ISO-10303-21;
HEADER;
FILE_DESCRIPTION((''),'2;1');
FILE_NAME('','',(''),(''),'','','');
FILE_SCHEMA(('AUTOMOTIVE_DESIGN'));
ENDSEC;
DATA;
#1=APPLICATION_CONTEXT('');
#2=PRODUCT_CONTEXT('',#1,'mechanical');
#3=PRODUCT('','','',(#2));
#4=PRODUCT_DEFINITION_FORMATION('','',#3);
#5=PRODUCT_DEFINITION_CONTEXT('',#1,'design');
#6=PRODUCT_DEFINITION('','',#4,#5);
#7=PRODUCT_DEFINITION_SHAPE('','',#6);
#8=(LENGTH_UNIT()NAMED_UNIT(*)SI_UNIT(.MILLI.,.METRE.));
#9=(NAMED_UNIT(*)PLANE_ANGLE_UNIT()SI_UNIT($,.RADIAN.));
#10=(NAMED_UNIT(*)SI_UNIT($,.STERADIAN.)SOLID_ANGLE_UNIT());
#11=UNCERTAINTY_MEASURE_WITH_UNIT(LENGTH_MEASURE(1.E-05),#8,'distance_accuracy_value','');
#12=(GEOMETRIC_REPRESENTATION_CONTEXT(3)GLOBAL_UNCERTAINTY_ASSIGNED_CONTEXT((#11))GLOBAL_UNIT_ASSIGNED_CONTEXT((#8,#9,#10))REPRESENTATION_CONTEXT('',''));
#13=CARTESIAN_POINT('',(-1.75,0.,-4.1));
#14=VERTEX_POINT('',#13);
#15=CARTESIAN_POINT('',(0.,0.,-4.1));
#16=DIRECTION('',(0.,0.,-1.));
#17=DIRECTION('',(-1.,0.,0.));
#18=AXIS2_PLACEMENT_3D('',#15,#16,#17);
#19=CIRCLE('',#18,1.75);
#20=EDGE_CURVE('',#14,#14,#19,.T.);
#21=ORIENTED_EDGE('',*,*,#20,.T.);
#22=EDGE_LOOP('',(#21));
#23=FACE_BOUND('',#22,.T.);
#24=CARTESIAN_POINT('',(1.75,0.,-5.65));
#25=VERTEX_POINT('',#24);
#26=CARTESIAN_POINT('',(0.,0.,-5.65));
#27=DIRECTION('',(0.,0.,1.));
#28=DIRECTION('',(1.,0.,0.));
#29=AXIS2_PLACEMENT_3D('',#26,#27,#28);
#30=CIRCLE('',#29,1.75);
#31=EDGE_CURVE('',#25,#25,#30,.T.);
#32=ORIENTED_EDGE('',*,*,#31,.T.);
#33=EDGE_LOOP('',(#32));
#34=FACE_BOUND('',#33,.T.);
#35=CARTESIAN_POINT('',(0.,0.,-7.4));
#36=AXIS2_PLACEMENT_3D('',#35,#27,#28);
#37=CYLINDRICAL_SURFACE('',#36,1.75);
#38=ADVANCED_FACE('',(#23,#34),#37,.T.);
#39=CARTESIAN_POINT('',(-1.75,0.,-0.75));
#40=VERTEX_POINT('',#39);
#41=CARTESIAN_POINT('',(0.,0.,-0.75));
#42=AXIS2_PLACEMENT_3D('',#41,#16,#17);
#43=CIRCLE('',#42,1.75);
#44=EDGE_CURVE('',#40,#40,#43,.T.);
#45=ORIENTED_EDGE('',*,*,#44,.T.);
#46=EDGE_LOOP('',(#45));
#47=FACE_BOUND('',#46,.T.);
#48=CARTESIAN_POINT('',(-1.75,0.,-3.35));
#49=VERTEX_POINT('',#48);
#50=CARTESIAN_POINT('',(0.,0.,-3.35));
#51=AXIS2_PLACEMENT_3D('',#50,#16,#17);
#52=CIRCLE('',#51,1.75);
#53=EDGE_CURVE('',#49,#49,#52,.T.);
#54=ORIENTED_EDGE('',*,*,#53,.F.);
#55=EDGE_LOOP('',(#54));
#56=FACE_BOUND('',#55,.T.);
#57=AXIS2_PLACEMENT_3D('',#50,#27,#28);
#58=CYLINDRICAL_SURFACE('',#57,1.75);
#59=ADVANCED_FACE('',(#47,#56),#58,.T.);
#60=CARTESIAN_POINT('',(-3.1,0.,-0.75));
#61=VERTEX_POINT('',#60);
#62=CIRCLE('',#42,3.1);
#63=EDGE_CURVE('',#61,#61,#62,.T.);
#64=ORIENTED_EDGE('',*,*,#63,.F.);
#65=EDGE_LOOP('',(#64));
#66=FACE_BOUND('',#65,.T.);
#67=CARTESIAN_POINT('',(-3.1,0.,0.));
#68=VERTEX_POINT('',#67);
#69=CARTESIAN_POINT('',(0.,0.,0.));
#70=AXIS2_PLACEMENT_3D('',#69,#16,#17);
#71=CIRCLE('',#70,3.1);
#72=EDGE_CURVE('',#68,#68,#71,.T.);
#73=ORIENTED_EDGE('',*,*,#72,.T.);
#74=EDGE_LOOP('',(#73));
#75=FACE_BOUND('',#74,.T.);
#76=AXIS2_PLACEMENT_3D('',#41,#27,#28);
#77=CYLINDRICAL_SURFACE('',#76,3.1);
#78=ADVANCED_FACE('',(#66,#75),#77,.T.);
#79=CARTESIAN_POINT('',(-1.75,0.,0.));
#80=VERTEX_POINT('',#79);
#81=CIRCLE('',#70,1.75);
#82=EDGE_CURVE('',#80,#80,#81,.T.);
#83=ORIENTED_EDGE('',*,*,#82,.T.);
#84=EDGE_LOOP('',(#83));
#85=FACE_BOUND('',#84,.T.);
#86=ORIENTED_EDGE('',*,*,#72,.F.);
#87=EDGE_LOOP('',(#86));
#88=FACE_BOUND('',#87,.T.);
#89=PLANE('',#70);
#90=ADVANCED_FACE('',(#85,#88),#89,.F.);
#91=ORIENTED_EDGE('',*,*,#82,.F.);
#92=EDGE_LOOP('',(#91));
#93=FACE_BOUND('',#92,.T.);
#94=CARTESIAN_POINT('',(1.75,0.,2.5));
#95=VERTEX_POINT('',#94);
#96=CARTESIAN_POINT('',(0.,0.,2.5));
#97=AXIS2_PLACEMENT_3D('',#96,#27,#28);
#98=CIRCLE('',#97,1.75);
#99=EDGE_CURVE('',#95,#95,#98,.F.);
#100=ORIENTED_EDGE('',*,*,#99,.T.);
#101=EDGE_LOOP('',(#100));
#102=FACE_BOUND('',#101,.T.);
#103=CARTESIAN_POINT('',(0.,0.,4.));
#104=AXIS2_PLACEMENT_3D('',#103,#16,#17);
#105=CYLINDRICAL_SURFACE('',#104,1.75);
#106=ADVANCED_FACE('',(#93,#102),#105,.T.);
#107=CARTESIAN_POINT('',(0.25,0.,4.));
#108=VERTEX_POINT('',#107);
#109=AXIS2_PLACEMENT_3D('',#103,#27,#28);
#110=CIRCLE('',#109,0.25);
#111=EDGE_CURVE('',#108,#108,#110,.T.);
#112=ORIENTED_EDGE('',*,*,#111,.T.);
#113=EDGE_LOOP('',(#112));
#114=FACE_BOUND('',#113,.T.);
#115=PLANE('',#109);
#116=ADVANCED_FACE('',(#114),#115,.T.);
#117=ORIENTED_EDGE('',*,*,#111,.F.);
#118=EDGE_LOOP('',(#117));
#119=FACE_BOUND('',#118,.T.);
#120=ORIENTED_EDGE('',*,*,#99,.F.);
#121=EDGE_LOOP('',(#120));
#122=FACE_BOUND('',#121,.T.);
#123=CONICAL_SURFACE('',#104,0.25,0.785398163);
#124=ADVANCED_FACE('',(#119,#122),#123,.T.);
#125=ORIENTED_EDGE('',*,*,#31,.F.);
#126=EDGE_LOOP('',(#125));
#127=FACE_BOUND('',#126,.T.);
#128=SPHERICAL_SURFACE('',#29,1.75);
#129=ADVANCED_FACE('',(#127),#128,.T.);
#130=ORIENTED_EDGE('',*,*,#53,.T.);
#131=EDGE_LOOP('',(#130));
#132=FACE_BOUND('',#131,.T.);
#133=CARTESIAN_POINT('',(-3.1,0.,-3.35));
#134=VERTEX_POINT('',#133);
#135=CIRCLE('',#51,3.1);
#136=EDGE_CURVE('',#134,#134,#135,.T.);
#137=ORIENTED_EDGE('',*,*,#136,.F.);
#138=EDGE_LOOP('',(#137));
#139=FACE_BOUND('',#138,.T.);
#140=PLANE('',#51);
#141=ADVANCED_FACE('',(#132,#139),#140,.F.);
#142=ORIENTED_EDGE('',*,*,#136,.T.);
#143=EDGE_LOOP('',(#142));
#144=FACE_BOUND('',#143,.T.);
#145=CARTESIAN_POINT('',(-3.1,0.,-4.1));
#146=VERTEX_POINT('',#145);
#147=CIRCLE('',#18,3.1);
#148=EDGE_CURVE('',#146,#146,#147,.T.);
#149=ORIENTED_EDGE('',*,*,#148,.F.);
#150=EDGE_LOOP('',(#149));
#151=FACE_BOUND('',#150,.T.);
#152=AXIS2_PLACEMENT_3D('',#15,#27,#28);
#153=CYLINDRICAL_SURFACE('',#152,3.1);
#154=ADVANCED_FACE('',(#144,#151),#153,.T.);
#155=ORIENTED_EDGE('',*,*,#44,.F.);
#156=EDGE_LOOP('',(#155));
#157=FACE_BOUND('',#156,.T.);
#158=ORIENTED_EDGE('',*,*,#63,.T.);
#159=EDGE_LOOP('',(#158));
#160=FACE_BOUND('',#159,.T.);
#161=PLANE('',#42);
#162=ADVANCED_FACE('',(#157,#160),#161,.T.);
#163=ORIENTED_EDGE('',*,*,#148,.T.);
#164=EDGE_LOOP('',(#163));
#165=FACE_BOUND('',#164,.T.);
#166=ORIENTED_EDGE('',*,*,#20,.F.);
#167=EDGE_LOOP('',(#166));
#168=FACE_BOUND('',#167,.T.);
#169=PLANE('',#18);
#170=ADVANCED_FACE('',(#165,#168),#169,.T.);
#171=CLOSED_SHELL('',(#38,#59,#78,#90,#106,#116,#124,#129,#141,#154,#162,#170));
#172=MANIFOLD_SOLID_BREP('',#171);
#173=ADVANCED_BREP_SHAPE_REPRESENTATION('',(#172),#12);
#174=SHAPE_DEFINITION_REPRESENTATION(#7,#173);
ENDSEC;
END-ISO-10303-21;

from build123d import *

# Parameters (mm, degrees)
ESQUISSE1_R        = 1.75
BOSS_EXTRU_1_DEPTH = 4
ESQUISSE3_R        = 3.1
BOSS_EXTRU_2_DEPTH = 0.75
ESQUISSE4_R        = 1.75
BOSS_EXTRU_3_DEPTH = 2.6
ESQUISSE5_R        = 3.1
BOSS_EXTRU_4_DEPTH = 0.75
ESQUISSE6_R        = 1.75
BOSS_EXTRU_5_DEPTH = 3.3
CHANFREIN1_SIZE    = 1.5
CONG_1_R           = 1.75


with BuildPart() as part:
    # Esquisse1 → Boss.-Extru.1 (new body)
    with BuildSketch(Plane.XY):
        Circle(ESQUISSE1_R)
    extrude(amount=BOSS_EXTRU_1_DEPTH)

    # Esquisse3 → Boss.-Extru.2 (add)
    with BuildSketch(Plane(origin=(0, 0, 0), x_dir=(-1, 0, 0), z_dir=(0, 0, -1))):
        Circle(ESQUISSE3_R)
    extrude(amount=BOSS_EXTRU_2_DEPTH)

    # Esquisse4 → Boss.-Extru.3 (add)
    with BuildSketch(Plane(origin=(0, 0, -0.75), x_dir=(-1, 0, 0), z_dir=(0, 0, -1))):
        Circle(ESQUISSE4_R)
    extrude(amount=BOSS_EXTRU_3_DEPTH)

    # Esquisse5 → Boss.-Extru.4 (add)
    with BuildSketch(Plane(origin=(0, 0, -3.35), x_dir=(-1, 0, 0), z_dir=(0, 0, -1))):
        Circle(ESQUISSE5_R)
    extrude(amount=BOSS_EXTRU_4_DEPTH)

    # Esquisse6 → Boss.-Extru.5 (add)
    with BuildSketch(Plane(origin=(0, 0, -4.1), x_dir=(-1, 0, 0), z_dir=(0, 0, -1))):
        Circle(ESQUISSE6_R)
    extrude(amount=BOSS_EXTRU_5_DEPTH)

    # Chanfrein1
    chanfrein1_edges = [part.edges().sort_by_distance(p)[0] for p in [
        (-1.75, 0, 4),
    ]]
    chamfer(chanfrein1_edges, length=CHANFREIN1_SIZE)

    # Congé1
    cong_1_edges = [part.edges().sort_by_distance(p)[0] for p in [
        (1.75, 0, -7.4),
    ]]
    fillet(cong_1_edges, radius=CONG_1_R)


solid = part.part
